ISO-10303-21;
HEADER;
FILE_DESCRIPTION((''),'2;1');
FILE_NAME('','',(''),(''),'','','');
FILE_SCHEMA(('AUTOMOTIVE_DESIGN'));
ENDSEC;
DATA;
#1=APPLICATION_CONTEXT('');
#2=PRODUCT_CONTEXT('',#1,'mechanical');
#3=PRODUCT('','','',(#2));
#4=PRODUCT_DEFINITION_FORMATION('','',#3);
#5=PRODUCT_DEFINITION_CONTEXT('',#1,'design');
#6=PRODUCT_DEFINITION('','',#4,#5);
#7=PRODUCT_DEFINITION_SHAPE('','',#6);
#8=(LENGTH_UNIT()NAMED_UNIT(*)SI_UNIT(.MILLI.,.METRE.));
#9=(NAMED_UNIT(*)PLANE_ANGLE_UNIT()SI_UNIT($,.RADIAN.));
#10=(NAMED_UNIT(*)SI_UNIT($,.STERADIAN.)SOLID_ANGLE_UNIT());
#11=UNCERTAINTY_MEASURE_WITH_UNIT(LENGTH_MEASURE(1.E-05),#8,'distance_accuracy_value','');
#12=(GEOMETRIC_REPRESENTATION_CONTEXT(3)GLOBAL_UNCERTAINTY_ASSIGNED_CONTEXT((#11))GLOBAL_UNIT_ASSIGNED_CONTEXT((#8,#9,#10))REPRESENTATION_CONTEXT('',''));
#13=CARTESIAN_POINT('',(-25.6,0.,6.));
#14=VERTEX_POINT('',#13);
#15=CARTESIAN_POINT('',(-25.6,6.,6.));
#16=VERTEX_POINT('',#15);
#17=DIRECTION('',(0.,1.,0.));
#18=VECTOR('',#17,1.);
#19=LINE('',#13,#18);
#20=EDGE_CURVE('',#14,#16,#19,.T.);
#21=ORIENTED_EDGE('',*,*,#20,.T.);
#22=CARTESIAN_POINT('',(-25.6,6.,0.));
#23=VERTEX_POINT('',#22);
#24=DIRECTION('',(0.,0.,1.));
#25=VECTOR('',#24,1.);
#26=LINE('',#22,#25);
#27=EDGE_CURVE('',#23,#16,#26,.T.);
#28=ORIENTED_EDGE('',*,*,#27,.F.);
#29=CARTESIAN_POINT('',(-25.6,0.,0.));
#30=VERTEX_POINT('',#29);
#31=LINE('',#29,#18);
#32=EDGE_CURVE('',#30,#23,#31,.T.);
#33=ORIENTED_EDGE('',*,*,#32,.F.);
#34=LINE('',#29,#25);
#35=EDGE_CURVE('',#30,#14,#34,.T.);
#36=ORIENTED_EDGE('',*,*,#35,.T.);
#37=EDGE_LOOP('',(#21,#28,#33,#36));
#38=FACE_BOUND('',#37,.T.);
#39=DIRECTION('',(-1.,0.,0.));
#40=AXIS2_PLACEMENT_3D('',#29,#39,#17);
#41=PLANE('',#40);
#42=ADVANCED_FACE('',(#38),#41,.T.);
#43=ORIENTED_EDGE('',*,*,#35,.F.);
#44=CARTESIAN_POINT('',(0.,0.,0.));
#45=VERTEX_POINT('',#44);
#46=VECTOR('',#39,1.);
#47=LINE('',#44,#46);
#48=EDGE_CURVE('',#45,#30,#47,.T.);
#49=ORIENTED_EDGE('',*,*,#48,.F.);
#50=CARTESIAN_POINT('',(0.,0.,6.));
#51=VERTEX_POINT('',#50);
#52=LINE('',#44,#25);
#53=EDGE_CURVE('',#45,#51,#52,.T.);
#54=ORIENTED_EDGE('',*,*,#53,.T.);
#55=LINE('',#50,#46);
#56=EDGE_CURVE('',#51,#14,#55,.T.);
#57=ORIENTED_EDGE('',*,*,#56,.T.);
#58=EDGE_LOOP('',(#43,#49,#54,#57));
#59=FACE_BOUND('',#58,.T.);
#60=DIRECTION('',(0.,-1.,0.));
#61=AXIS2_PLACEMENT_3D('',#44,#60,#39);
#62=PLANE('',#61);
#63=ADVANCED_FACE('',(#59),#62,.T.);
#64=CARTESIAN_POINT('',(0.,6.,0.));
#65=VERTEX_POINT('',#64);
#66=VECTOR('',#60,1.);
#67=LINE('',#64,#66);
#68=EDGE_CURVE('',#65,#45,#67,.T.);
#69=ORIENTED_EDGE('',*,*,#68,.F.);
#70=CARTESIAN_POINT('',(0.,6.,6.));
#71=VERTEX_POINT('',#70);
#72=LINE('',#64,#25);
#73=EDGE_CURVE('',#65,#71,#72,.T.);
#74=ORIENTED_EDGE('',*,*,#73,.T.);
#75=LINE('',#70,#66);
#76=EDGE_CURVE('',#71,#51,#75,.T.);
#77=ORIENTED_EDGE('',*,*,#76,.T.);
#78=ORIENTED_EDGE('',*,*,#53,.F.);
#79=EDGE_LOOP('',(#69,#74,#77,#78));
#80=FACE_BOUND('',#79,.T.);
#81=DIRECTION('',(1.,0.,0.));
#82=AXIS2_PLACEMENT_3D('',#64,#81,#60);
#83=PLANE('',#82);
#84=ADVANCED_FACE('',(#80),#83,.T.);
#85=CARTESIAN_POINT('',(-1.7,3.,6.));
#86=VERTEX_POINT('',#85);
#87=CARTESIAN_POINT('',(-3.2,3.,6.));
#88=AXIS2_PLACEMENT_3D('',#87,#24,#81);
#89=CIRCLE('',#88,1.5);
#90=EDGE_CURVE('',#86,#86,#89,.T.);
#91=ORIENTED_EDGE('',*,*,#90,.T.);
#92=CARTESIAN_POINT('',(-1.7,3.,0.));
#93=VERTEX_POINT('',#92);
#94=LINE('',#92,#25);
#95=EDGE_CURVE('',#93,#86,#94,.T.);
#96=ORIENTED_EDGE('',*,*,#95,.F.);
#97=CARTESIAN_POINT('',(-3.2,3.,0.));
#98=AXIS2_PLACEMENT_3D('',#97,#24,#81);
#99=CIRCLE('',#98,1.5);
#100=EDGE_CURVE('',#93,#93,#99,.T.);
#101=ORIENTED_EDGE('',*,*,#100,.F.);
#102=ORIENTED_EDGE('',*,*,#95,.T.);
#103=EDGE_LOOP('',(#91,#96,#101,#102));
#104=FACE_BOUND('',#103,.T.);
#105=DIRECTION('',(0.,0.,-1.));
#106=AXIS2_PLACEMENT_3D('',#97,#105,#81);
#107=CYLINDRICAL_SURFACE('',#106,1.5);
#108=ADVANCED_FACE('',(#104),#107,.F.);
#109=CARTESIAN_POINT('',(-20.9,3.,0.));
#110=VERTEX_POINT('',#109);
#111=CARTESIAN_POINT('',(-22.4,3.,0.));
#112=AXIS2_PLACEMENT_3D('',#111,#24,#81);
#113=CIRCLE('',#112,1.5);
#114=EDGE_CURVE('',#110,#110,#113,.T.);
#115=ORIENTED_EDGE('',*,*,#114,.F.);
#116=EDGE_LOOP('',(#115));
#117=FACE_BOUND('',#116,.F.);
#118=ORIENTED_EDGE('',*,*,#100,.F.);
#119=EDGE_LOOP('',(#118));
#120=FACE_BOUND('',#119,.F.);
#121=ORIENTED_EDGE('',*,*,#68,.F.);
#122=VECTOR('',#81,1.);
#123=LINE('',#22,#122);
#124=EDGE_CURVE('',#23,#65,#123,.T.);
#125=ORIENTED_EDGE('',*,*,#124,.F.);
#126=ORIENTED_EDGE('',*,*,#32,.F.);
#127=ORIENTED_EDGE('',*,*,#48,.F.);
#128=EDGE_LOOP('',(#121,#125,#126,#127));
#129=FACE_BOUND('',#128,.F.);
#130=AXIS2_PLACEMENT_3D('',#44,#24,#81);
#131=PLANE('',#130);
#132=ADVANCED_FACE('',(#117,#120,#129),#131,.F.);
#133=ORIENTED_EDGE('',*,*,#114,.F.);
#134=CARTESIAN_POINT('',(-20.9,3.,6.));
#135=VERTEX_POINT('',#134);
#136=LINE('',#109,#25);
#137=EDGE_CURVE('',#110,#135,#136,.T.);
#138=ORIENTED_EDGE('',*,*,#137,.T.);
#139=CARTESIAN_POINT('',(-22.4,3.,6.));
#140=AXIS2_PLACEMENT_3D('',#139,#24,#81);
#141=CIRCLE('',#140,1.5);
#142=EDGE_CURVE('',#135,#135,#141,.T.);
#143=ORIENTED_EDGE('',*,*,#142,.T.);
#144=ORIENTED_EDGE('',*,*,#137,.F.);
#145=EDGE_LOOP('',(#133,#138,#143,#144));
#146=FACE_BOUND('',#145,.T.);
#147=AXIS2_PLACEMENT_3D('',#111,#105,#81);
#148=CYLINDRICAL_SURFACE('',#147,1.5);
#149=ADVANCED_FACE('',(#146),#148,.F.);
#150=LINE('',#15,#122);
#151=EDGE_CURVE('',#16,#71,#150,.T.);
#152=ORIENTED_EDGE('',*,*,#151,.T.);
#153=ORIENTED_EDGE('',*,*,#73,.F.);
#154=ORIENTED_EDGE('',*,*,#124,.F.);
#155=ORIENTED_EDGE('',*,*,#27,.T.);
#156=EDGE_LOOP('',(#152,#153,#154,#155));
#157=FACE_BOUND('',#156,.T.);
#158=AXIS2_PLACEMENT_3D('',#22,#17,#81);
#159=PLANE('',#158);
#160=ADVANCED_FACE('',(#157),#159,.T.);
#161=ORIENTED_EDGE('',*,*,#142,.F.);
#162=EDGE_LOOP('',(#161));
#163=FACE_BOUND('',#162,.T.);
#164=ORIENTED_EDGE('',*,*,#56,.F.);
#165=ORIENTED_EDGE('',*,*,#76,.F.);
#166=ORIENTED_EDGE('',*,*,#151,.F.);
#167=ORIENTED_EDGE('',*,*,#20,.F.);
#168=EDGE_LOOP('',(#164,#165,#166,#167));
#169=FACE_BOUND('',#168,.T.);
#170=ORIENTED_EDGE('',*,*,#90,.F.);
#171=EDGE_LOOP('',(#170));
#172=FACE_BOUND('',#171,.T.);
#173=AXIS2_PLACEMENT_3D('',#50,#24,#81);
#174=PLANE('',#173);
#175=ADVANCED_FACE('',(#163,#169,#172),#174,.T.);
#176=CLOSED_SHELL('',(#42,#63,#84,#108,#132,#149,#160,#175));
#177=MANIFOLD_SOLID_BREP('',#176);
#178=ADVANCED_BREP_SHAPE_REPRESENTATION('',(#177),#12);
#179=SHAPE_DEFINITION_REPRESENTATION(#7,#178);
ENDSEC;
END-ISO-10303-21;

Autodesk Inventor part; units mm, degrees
ref_plane "YZ Plane" through (0, 0, 0) normal (1, 0, 0) x (0, 1, 0)
ref_plane "XZ Plane" through (0, 0, 0) normal (0, 1, 0) x (-1, 0, 0)
ref_plane "XY Plane" through (0, 0, 0) normal (0, 0, 1) x (1, 0, 0)
sketch "Sketch1" plane through (0, 0, 0) normal (0, 0, 1) x (1, 0, 0)
  circle A0 centre (-22.4, 3) radius 1.5
  circle A1 centre (-3.2, 3) radius 1.5
  line L0 (0, 0) -> (-25.6, 0)
  line L1 (0, 6) -> (0, 0)
  line L2 (-25.6, 6) -> (0, 6)
  line L3 (-25.6, 0) -> (-25.6, 6)
extrude "Extrusion1" add sketch "Sketch1" along normal blind 6
properties part number "XcrLeftBeltTensioner"
